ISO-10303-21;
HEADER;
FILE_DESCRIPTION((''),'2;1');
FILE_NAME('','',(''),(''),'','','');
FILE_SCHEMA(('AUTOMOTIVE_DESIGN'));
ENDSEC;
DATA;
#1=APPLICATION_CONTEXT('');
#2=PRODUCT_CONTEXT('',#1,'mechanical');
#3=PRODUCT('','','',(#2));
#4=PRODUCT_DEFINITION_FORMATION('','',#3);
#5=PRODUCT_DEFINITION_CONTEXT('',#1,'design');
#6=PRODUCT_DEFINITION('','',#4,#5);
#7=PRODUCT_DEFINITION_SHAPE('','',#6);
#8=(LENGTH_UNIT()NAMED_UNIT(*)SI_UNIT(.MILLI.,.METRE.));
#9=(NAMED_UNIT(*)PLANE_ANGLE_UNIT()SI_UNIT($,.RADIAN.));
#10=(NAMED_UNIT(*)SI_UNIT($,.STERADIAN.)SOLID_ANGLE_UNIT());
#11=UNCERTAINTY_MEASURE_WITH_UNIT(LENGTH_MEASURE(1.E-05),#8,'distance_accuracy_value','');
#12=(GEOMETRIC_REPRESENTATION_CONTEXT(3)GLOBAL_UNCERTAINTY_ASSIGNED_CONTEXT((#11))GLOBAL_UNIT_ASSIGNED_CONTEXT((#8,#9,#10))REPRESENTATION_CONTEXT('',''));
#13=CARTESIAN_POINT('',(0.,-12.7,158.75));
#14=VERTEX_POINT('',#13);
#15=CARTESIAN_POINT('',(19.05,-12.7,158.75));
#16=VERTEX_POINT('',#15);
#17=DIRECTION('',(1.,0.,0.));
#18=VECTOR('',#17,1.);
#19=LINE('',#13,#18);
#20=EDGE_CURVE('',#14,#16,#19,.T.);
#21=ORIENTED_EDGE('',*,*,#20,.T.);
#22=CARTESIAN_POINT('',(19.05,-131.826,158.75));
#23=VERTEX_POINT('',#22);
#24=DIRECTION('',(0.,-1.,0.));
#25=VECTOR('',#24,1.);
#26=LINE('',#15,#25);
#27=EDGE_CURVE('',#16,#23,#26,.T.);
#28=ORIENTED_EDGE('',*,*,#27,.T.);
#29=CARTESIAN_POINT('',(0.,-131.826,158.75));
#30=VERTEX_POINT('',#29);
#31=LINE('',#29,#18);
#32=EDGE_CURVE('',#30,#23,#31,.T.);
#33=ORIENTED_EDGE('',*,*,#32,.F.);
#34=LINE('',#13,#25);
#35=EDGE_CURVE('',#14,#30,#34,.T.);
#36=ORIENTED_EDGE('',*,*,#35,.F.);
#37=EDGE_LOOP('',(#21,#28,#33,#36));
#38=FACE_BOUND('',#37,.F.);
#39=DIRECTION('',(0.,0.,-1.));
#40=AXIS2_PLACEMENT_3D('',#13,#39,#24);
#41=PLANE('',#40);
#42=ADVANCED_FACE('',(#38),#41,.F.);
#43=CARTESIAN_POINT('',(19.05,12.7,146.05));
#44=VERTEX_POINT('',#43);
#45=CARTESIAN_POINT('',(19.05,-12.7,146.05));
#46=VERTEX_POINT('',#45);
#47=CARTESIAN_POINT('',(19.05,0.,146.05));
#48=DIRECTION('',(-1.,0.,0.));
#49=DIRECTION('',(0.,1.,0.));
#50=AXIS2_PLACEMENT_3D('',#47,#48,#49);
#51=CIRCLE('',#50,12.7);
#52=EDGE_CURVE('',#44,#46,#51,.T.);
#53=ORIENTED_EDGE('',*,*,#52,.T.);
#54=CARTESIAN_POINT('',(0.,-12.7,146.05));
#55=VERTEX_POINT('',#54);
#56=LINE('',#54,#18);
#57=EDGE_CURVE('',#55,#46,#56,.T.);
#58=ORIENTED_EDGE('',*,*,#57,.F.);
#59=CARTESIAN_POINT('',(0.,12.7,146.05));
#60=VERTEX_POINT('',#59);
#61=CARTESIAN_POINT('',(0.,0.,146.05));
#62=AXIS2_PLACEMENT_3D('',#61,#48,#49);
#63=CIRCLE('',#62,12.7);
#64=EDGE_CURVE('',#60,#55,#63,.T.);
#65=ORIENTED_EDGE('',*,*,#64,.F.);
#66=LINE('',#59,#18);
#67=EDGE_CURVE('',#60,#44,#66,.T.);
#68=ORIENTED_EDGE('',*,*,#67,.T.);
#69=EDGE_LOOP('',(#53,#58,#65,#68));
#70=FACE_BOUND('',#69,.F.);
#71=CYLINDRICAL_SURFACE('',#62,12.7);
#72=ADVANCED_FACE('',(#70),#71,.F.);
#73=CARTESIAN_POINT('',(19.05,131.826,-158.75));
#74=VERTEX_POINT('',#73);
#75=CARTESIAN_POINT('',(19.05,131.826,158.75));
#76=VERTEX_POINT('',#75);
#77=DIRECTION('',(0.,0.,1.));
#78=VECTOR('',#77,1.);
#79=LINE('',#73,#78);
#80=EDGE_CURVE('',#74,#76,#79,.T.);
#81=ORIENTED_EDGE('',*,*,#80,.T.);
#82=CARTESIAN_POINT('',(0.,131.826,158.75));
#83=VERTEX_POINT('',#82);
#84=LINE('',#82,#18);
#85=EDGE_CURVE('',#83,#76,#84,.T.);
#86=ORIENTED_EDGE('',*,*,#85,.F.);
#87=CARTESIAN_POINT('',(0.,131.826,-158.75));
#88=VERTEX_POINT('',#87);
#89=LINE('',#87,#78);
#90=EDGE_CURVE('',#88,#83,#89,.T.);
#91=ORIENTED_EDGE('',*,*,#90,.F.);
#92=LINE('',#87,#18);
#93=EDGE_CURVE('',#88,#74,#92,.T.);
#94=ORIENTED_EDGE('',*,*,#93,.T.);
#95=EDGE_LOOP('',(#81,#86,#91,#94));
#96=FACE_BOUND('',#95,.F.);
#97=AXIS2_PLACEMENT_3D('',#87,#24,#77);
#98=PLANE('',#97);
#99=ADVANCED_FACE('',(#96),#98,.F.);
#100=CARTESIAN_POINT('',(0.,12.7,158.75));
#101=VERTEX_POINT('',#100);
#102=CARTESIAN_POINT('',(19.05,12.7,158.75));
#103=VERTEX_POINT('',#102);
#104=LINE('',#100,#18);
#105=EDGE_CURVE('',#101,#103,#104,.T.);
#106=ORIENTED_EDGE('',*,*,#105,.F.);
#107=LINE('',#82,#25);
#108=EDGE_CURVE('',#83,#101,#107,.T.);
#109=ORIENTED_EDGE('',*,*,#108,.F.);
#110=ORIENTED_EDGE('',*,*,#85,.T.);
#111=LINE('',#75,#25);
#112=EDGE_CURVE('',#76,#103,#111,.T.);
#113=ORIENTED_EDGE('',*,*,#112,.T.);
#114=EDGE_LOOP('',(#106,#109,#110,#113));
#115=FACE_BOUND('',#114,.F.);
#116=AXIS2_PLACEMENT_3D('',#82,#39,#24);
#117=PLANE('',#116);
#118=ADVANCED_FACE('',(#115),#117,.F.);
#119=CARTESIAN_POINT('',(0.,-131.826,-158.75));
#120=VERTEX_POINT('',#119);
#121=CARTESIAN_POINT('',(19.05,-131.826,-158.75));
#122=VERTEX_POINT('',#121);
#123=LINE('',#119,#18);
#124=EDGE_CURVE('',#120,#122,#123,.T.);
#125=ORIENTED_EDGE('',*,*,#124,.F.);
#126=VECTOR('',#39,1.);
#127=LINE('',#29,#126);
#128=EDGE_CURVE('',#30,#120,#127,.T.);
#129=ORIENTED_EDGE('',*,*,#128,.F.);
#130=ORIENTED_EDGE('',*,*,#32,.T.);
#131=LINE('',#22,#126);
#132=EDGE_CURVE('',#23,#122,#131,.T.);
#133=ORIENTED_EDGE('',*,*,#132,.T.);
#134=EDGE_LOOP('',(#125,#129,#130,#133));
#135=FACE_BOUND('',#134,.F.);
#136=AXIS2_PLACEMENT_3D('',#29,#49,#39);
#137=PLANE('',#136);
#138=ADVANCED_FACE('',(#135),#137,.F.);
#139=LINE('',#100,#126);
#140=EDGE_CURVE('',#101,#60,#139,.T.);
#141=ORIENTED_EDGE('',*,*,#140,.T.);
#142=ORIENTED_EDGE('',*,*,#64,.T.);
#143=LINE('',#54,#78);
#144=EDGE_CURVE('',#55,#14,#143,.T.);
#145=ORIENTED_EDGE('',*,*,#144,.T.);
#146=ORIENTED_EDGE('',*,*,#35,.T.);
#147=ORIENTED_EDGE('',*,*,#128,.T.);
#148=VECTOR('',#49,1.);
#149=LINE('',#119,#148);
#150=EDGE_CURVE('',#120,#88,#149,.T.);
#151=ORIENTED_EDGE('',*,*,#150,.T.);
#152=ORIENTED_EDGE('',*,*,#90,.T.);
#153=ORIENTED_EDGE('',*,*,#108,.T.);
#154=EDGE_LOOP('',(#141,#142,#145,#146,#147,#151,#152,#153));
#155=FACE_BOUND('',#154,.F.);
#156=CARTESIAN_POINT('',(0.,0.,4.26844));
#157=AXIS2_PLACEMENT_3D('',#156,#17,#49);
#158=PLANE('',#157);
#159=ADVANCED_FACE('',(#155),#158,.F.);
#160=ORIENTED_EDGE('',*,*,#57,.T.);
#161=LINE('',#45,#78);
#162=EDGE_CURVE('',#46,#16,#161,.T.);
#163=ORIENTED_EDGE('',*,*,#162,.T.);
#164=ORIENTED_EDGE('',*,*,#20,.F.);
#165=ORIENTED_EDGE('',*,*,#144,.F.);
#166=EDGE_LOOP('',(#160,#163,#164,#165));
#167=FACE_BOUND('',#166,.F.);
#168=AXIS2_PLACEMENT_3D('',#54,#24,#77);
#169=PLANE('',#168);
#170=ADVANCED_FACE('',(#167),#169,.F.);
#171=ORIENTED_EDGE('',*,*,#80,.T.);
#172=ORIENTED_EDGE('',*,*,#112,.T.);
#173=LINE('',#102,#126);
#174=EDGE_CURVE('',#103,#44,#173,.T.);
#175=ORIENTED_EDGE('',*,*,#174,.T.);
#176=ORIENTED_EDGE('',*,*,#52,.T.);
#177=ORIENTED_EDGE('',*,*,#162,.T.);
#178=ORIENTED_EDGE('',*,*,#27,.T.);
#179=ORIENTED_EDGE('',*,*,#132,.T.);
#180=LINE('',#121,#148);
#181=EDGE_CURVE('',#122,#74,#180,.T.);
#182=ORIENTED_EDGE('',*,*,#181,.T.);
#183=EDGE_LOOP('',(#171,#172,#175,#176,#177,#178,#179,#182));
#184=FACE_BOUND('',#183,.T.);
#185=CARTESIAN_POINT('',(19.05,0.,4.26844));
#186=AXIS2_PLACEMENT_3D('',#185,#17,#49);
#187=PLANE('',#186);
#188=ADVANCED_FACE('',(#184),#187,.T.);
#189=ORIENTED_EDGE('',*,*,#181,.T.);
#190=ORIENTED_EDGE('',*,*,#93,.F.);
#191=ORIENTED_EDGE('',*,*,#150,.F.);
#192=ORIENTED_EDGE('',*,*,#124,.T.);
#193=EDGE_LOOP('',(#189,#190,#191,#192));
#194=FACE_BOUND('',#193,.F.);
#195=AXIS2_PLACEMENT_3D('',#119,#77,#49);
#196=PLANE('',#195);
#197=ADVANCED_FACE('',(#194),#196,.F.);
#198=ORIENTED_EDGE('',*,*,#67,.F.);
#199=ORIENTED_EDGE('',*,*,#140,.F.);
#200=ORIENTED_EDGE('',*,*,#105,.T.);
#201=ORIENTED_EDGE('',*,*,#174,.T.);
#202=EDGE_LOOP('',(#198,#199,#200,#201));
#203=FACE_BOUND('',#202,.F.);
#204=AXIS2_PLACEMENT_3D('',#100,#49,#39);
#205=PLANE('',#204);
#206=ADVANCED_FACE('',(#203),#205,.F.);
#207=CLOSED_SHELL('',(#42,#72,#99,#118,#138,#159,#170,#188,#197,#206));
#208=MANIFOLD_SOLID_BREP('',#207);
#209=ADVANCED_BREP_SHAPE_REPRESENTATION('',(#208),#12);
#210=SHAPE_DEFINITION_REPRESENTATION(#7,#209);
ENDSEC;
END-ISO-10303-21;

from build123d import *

# Parameters (mm, degrees)
F1_DEPTH = 19.05


with BuildPart() as f1:
    # F0 (on Right) → F1 (new body)
    with BuildSketch(Plane.YZ):
        with BuildLine():
            Line((131.826, -158.75), (131.826, 158.75))
            Line((131.826, 158.75), (12.7, 158.75))
            Line((12.7, 158.75), (12.7, 146.05))
            ThreePointArc((12.7, 146.05), (0, 133.35), (-12.7, 146.05))
            Line((-12.7, 146.05), (-12.7, 158.75))
            Line((-12.7, 158.75), (-131.826, 158.75))
            Line((-131.826, 158.75), (-131.826, -158.75))
            Line((-131.826, -158.75), (131.826, -158.75))
        make_face()
    extrude(amount=F1_DEPTH)


solid = f1.part
